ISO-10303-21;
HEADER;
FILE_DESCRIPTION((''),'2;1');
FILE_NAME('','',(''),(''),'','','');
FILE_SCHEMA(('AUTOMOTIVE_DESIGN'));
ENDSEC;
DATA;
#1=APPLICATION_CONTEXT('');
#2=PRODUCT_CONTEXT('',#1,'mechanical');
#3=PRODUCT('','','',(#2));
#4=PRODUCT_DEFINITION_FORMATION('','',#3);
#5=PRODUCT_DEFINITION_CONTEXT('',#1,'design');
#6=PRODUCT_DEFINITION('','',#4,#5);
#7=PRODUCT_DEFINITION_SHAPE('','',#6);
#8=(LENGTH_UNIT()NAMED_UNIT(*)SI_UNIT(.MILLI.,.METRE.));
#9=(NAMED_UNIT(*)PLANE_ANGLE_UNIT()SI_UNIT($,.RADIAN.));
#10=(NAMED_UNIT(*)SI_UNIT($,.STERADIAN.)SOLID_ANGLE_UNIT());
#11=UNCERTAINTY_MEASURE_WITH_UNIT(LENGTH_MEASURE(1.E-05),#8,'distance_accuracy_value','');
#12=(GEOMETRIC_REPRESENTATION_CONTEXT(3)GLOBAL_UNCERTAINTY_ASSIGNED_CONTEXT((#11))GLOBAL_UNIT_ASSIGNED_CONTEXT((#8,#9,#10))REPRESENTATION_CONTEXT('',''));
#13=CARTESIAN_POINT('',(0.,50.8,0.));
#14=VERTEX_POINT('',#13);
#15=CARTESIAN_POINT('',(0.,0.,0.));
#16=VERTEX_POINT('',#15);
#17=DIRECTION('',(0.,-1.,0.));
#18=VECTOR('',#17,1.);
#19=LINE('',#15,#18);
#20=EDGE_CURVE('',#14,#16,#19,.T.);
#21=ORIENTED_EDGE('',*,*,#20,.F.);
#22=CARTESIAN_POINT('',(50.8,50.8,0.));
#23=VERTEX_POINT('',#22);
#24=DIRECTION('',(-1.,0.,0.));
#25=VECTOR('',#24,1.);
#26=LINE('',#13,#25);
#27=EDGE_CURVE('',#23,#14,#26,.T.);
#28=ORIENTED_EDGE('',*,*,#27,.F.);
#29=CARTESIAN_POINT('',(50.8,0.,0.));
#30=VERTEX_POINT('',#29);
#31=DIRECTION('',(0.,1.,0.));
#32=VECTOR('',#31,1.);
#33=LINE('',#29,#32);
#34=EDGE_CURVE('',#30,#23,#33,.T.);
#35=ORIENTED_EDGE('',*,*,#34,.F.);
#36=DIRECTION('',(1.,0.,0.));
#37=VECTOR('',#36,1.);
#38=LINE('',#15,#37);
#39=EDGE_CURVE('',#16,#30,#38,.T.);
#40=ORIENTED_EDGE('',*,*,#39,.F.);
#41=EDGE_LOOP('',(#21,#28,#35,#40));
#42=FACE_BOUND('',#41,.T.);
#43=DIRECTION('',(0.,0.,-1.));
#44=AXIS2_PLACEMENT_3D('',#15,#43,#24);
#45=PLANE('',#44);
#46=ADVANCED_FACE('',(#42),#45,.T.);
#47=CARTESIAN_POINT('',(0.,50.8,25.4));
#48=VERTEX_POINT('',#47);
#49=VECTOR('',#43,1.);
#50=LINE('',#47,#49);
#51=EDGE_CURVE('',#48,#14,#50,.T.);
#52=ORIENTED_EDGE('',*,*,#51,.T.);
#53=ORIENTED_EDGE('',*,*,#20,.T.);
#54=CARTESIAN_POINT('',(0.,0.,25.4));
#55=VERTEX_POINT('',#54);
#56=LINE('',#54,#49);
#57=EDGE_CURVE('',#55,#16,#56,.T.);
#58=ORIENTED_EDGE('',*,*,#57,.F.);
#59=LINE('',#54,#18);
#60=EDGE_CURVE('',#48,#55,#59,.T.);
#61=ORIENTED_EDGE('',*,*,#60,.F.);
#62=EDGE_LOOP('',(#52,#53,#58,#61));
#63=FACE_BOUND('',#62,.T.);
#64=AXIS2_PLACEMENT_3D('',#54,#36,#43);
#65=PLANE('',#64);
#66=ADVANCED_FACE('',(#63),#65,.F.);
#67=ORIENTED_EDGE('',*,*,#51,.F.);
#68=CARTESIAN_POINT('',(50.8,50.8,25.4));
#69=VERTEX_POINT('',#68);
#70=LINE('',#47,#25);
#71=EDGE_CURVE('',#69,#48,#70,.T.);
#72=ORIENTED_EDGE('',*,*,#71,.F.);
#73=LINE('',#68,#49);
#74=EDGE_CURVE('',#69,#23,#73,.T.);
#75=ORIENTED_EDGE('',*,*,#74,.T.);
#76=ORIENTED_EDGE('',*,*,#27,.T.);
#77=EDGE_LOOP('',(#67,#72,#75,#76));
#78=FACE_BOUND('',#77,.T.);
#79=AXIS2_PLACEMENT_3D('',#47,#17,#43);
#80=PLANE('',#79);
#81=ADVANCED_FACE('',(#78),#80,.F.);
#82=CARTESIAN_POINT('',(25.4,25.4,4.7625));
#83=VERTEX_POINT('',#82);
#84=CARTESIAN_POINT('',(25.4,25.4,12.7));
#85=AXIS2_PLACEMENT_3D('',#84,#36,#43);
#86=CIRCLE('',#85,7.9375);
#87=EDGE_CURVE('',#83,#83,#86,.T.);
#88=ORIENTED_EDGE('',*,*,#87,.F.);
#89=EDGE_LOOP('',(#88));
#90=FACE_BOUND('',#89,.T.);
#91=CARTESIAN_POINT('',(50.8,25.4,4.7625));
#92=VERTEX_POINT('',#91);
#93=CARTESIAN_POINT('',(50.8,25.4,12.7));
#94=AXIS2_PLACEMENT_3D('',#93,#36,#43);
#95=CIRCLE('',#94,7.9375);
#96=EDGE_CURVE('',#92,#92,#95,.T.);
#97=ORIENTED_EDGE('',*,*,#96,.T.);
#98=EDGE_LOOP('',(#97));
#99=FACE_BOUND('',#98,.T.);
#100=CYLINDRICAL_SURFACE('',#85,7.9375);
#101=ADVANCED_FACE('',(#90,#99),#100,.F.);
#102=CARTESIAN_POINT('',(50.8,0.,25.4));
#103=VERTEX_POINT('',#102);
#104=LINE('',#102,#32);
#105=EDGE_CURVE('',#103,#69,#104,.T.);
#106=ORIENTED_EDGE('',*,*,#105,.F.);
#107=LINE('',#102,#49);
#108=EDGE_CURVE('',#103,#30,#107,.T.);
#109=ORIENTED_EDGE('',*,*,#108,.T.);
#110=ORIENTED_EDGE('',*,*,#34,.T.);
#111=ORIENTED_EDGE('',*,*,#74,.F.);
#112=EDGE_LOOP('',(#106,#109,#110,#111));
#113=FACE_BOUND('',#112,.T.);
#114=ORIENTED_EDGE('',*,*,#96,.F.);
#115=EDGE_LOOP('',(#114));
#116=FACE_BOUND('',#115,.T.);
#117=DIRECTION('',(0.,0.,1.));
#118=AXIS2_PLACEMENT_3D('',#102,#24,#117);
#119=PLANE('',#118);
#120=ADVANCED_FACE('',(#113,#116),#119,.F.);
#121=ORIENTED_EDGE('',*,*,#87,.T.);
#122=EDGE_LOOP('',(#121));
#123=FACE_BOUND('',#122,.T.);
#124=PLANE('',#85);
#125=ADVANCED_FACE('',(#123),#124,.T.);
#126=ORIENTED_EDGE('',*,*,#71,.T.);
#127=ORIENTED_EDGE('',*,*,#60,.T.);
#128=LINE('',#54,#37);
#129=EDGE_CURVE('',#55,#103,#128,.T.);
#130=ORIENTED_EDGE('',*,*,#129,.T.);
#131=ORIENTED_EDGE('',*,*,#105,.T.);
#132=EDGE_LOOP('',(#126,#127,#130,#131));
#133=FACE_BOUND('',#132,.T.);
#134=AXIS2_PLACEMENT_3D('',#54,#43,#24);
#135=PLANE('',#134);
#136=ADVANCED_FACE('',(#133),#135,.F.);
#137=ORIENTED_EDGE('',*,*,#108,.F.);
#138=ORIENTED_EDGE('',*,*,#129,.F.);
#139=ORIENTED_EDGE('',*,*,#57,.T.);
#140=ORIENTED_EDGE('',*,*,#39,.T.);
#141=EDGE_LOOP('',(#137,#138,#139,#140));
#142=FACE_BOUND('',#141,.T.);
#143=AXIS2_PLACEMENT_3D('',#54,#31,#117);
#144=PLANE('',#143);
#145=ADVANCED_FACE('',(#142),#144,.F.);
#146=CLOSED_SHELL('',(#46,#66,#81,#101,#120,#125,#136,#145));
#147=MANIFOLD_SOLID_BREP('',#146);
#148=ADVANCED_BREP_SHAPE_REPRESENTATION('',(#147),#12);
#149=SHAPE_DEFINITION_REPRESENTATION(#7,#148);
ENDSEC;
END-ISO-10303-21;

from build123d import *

# Parameters (mm, degrees)
SKETCH1_W           = 50.8
SKETCH1_H           = 50.8
BOSS_EXTRUDE1_DEPTH = 25.4
SKETCH2_R           = 7.9375
CUT_EXTRUDE1_DEPTH  = 25.4


with BuildPart() as part:
    # Sketch1 → Boss-Extrude1 (new body)
    with BuildSketch(Plane.XY):
        with Locations((25.4, 25.4)):
            Rectangle(SKETCH1_W, SKETCH1_H)
    extrude(amount=BOSS_EXTRUDE1_DEPTH)

    # Sketch2 → Cut-Extrude1 (cut)
    with BuildSketch(Plane(origin=(50.8, 0, 0), x_dir=(0, 0, -1), z_dir=(1, 0, 0))):
        with Locations((-12.7, 25.4)):
            Circle(SKETCH2_R)
    extrude(amount=-CUT_EXTRUDE1_DEPTH, mode=Mode.SUBTRACT)


solid = part.part
